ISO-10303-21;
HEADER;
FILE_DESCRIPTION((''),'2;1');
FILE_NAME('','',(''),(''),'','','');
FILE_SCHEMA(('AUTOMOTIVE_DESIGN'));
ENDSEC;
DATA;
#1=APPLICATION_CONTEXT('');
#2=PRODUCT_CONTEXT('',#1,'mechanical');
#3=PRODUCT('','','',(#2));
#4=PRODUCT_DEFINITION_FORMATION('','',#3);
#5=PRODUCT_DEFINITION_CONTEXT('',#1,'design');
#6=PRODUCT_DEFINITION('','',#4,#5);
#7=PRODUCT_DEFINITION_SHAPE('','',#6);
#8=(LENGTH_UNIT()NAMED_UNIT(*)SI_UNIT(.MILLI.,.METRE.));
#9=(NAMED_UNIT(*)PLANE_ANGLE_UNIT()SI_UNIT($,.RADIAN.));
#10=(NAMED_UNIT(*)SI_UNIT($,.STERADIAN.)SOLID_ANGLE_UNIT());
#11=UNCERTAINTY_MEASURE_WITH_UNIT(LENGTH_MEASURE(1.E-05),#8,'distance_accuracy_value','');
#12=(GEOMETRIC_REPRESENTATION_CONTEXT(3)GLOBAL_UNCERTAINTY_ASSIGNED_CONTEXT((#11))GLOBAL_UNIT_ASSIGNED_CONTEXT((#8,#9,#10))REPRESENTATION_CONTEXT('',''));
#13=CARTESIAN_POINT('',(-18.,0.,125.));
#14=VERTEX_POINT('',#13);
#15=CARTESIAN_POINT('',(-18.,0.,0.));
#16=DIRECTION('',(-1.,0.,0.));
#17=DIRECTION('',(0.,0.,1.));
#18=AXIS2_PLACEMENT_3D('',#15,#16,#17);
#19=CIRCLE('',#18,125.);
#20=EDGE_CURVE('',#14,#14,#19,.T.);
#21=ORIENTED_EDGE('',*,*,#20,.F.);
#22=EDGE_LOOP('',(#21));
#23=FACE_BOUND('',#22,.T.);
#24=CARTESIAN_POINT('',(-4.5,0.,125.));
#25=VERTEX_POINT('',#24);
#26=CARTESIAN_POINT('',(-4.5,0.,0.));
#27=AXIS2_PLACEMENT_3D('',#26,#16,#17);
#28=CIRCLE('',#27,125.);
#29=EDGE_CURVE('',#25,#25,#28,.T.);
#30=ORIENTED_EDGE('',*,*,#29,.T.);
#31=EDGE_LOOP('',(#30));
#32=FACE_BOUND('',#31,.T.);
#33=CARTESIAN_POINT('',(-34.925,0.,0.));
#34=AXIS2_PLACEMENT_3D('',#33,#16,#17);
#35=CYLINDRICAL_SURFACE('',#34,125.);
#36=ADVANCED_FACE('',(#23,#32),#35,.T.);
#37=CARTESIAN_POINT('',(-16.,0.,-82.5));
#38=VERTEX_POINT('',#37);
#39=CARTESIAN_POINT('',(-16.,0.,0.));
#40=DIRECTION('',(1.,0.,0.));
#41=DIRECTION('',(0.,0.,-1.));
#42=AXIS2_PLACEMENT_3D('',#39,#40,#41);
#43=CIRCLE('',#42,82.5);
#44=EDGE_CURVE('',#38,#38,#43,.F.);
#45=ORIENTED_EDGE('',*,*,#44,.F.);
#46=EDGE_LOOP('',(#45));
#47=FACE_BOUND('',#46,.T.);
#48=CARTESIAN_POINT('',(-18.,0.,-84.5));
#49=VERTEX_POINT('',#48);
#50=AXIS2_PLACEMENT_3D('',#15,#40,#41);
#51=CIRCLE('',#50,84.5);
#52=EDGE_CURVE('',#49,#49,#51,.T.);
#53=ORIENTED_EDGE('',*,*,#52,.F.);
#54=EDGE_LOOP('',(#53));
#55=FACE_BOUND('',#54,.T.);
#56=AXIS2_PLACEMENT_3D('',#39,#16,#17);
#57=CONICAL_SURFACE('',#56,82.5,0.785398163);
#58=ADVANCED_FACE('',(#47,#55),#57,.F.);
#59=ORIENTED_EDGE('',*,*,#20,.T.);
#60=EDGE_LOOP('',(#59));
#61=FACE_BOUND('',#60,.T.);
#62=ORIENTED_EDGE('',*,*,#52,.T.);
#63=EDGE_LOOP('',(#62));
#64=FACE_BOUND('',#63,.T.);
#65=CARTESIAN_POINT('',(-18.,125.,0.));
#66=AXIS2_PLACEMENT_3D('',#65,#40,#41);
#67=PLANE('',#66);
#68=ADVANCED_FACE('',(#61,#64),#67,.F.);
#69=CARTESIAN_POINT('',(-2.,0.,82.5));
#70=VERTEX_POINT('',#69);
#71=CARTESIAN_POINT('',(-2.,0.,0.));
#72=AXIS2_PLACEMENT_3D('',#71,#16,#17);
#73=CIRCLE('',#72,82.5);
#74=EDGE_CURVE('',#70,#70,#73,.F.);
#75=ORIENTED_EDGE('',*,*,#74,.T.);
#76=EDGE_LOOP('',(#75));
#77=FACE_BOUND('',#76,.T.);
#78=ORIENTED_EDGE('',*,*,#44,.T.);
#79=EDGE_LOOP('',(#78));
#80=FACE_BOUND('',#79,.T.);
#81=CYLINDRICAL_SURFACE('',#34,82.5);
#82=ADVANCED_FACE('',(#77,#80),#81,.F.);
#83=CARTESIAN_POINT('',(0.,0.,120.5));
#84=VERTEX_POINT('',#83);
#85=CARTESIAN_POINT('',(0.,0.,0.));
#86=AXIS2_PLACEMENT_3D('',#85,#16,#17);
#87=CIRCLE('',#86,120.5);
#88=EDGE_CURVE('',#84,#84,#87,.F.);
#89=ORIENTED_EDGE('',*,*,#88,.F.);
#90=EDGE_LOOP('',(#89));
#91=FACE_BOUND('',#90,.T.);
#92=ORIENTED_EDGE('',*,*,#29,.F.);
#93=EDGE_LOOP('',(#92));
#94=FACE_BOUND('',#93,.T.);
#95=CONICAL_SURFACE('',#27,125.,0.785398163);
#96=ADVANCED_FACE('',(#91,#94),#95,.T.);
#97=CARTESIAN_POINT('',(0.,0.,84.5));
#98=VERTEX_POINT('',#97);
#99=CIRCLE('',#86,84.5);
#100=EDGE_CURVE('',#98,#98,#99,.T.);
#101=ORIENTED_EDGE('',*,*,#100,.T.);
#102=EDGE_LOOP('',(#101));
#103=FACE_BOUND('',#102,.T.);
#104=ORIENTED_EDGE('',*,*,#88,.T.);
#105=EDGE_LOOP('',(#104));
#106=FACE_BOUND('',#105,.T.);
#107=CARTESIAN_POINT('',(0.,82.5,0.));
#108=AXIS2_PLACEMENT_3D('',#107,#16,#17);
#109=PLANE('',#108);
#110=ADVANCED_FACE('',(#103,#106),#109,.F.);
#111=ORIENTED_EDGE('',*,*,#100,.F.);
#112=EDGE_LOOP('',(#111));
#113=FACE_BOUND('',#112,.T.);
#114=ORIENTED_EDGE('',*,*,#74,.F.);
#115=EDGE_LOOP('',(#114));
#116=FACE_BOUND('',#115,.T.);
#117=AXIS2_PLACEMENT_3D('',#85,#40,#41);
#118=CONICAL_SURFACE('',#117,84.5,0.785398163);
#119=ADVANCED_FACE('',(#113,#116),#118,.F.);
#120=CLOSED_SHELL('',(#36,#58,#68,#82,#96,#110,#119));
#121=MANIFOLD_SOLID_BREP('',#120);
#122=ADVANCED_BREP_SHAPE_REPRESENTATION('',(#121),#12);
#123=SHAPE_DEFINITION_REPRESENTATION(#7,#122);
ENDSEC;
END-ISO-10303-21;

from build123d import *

# Parameters (mm, degrees)
SKETCH1_W         = 18
SKETCH1_H         = 42.5
IDCHAMFER_SIZE    = 2
ODCHAMFER_SIZE    = 4.5
IDCHAMFERFAR_SIZE = 2


with BuildPart() as part:
    # Sketch1 → Base-Revolve (revolve)
    with BuildSketch(Plane.XY, mode=Mode.PRIVATE) as base_revolve_sk:
        with Locations((-9, 103.75)):
            Rectangle(SKETCH1_W, SKETCH1_H)
    revolve(base_revolve_sk.sketch.rotate(Axis((-34.925, 0, 0), (1, 0, 0)), 90), axis=Axis((-34.925, 0, 0), (1, 0, 0)))

    # IDChamfer
    idchamfer_edges = [part.edges().sort_by_distance(p)[0] for p in [
        (0, 0, -82.5),
    ]]
    chamfer(idchamfer_edges, length=IDCHAMFER_SIZE)

    # ODChamfer
    odchamfer_edges = [part.edges().sort_by_distance(p)[0] for p in [
        (0, 0, -125),
    ]]
    chamfer(odchamfer_edges, length=ODCHAMFER_SIZE)

    # IDChamferFar
    idchamferfar_edges = [part.edges().sort_by_distance(p)[0] for p in [
        (-18, 0, -82.5),
    ]]
    chamfer(idchamferfar_edges, length=IDCHAMFERFAR_SIZE)


solid = part.part
